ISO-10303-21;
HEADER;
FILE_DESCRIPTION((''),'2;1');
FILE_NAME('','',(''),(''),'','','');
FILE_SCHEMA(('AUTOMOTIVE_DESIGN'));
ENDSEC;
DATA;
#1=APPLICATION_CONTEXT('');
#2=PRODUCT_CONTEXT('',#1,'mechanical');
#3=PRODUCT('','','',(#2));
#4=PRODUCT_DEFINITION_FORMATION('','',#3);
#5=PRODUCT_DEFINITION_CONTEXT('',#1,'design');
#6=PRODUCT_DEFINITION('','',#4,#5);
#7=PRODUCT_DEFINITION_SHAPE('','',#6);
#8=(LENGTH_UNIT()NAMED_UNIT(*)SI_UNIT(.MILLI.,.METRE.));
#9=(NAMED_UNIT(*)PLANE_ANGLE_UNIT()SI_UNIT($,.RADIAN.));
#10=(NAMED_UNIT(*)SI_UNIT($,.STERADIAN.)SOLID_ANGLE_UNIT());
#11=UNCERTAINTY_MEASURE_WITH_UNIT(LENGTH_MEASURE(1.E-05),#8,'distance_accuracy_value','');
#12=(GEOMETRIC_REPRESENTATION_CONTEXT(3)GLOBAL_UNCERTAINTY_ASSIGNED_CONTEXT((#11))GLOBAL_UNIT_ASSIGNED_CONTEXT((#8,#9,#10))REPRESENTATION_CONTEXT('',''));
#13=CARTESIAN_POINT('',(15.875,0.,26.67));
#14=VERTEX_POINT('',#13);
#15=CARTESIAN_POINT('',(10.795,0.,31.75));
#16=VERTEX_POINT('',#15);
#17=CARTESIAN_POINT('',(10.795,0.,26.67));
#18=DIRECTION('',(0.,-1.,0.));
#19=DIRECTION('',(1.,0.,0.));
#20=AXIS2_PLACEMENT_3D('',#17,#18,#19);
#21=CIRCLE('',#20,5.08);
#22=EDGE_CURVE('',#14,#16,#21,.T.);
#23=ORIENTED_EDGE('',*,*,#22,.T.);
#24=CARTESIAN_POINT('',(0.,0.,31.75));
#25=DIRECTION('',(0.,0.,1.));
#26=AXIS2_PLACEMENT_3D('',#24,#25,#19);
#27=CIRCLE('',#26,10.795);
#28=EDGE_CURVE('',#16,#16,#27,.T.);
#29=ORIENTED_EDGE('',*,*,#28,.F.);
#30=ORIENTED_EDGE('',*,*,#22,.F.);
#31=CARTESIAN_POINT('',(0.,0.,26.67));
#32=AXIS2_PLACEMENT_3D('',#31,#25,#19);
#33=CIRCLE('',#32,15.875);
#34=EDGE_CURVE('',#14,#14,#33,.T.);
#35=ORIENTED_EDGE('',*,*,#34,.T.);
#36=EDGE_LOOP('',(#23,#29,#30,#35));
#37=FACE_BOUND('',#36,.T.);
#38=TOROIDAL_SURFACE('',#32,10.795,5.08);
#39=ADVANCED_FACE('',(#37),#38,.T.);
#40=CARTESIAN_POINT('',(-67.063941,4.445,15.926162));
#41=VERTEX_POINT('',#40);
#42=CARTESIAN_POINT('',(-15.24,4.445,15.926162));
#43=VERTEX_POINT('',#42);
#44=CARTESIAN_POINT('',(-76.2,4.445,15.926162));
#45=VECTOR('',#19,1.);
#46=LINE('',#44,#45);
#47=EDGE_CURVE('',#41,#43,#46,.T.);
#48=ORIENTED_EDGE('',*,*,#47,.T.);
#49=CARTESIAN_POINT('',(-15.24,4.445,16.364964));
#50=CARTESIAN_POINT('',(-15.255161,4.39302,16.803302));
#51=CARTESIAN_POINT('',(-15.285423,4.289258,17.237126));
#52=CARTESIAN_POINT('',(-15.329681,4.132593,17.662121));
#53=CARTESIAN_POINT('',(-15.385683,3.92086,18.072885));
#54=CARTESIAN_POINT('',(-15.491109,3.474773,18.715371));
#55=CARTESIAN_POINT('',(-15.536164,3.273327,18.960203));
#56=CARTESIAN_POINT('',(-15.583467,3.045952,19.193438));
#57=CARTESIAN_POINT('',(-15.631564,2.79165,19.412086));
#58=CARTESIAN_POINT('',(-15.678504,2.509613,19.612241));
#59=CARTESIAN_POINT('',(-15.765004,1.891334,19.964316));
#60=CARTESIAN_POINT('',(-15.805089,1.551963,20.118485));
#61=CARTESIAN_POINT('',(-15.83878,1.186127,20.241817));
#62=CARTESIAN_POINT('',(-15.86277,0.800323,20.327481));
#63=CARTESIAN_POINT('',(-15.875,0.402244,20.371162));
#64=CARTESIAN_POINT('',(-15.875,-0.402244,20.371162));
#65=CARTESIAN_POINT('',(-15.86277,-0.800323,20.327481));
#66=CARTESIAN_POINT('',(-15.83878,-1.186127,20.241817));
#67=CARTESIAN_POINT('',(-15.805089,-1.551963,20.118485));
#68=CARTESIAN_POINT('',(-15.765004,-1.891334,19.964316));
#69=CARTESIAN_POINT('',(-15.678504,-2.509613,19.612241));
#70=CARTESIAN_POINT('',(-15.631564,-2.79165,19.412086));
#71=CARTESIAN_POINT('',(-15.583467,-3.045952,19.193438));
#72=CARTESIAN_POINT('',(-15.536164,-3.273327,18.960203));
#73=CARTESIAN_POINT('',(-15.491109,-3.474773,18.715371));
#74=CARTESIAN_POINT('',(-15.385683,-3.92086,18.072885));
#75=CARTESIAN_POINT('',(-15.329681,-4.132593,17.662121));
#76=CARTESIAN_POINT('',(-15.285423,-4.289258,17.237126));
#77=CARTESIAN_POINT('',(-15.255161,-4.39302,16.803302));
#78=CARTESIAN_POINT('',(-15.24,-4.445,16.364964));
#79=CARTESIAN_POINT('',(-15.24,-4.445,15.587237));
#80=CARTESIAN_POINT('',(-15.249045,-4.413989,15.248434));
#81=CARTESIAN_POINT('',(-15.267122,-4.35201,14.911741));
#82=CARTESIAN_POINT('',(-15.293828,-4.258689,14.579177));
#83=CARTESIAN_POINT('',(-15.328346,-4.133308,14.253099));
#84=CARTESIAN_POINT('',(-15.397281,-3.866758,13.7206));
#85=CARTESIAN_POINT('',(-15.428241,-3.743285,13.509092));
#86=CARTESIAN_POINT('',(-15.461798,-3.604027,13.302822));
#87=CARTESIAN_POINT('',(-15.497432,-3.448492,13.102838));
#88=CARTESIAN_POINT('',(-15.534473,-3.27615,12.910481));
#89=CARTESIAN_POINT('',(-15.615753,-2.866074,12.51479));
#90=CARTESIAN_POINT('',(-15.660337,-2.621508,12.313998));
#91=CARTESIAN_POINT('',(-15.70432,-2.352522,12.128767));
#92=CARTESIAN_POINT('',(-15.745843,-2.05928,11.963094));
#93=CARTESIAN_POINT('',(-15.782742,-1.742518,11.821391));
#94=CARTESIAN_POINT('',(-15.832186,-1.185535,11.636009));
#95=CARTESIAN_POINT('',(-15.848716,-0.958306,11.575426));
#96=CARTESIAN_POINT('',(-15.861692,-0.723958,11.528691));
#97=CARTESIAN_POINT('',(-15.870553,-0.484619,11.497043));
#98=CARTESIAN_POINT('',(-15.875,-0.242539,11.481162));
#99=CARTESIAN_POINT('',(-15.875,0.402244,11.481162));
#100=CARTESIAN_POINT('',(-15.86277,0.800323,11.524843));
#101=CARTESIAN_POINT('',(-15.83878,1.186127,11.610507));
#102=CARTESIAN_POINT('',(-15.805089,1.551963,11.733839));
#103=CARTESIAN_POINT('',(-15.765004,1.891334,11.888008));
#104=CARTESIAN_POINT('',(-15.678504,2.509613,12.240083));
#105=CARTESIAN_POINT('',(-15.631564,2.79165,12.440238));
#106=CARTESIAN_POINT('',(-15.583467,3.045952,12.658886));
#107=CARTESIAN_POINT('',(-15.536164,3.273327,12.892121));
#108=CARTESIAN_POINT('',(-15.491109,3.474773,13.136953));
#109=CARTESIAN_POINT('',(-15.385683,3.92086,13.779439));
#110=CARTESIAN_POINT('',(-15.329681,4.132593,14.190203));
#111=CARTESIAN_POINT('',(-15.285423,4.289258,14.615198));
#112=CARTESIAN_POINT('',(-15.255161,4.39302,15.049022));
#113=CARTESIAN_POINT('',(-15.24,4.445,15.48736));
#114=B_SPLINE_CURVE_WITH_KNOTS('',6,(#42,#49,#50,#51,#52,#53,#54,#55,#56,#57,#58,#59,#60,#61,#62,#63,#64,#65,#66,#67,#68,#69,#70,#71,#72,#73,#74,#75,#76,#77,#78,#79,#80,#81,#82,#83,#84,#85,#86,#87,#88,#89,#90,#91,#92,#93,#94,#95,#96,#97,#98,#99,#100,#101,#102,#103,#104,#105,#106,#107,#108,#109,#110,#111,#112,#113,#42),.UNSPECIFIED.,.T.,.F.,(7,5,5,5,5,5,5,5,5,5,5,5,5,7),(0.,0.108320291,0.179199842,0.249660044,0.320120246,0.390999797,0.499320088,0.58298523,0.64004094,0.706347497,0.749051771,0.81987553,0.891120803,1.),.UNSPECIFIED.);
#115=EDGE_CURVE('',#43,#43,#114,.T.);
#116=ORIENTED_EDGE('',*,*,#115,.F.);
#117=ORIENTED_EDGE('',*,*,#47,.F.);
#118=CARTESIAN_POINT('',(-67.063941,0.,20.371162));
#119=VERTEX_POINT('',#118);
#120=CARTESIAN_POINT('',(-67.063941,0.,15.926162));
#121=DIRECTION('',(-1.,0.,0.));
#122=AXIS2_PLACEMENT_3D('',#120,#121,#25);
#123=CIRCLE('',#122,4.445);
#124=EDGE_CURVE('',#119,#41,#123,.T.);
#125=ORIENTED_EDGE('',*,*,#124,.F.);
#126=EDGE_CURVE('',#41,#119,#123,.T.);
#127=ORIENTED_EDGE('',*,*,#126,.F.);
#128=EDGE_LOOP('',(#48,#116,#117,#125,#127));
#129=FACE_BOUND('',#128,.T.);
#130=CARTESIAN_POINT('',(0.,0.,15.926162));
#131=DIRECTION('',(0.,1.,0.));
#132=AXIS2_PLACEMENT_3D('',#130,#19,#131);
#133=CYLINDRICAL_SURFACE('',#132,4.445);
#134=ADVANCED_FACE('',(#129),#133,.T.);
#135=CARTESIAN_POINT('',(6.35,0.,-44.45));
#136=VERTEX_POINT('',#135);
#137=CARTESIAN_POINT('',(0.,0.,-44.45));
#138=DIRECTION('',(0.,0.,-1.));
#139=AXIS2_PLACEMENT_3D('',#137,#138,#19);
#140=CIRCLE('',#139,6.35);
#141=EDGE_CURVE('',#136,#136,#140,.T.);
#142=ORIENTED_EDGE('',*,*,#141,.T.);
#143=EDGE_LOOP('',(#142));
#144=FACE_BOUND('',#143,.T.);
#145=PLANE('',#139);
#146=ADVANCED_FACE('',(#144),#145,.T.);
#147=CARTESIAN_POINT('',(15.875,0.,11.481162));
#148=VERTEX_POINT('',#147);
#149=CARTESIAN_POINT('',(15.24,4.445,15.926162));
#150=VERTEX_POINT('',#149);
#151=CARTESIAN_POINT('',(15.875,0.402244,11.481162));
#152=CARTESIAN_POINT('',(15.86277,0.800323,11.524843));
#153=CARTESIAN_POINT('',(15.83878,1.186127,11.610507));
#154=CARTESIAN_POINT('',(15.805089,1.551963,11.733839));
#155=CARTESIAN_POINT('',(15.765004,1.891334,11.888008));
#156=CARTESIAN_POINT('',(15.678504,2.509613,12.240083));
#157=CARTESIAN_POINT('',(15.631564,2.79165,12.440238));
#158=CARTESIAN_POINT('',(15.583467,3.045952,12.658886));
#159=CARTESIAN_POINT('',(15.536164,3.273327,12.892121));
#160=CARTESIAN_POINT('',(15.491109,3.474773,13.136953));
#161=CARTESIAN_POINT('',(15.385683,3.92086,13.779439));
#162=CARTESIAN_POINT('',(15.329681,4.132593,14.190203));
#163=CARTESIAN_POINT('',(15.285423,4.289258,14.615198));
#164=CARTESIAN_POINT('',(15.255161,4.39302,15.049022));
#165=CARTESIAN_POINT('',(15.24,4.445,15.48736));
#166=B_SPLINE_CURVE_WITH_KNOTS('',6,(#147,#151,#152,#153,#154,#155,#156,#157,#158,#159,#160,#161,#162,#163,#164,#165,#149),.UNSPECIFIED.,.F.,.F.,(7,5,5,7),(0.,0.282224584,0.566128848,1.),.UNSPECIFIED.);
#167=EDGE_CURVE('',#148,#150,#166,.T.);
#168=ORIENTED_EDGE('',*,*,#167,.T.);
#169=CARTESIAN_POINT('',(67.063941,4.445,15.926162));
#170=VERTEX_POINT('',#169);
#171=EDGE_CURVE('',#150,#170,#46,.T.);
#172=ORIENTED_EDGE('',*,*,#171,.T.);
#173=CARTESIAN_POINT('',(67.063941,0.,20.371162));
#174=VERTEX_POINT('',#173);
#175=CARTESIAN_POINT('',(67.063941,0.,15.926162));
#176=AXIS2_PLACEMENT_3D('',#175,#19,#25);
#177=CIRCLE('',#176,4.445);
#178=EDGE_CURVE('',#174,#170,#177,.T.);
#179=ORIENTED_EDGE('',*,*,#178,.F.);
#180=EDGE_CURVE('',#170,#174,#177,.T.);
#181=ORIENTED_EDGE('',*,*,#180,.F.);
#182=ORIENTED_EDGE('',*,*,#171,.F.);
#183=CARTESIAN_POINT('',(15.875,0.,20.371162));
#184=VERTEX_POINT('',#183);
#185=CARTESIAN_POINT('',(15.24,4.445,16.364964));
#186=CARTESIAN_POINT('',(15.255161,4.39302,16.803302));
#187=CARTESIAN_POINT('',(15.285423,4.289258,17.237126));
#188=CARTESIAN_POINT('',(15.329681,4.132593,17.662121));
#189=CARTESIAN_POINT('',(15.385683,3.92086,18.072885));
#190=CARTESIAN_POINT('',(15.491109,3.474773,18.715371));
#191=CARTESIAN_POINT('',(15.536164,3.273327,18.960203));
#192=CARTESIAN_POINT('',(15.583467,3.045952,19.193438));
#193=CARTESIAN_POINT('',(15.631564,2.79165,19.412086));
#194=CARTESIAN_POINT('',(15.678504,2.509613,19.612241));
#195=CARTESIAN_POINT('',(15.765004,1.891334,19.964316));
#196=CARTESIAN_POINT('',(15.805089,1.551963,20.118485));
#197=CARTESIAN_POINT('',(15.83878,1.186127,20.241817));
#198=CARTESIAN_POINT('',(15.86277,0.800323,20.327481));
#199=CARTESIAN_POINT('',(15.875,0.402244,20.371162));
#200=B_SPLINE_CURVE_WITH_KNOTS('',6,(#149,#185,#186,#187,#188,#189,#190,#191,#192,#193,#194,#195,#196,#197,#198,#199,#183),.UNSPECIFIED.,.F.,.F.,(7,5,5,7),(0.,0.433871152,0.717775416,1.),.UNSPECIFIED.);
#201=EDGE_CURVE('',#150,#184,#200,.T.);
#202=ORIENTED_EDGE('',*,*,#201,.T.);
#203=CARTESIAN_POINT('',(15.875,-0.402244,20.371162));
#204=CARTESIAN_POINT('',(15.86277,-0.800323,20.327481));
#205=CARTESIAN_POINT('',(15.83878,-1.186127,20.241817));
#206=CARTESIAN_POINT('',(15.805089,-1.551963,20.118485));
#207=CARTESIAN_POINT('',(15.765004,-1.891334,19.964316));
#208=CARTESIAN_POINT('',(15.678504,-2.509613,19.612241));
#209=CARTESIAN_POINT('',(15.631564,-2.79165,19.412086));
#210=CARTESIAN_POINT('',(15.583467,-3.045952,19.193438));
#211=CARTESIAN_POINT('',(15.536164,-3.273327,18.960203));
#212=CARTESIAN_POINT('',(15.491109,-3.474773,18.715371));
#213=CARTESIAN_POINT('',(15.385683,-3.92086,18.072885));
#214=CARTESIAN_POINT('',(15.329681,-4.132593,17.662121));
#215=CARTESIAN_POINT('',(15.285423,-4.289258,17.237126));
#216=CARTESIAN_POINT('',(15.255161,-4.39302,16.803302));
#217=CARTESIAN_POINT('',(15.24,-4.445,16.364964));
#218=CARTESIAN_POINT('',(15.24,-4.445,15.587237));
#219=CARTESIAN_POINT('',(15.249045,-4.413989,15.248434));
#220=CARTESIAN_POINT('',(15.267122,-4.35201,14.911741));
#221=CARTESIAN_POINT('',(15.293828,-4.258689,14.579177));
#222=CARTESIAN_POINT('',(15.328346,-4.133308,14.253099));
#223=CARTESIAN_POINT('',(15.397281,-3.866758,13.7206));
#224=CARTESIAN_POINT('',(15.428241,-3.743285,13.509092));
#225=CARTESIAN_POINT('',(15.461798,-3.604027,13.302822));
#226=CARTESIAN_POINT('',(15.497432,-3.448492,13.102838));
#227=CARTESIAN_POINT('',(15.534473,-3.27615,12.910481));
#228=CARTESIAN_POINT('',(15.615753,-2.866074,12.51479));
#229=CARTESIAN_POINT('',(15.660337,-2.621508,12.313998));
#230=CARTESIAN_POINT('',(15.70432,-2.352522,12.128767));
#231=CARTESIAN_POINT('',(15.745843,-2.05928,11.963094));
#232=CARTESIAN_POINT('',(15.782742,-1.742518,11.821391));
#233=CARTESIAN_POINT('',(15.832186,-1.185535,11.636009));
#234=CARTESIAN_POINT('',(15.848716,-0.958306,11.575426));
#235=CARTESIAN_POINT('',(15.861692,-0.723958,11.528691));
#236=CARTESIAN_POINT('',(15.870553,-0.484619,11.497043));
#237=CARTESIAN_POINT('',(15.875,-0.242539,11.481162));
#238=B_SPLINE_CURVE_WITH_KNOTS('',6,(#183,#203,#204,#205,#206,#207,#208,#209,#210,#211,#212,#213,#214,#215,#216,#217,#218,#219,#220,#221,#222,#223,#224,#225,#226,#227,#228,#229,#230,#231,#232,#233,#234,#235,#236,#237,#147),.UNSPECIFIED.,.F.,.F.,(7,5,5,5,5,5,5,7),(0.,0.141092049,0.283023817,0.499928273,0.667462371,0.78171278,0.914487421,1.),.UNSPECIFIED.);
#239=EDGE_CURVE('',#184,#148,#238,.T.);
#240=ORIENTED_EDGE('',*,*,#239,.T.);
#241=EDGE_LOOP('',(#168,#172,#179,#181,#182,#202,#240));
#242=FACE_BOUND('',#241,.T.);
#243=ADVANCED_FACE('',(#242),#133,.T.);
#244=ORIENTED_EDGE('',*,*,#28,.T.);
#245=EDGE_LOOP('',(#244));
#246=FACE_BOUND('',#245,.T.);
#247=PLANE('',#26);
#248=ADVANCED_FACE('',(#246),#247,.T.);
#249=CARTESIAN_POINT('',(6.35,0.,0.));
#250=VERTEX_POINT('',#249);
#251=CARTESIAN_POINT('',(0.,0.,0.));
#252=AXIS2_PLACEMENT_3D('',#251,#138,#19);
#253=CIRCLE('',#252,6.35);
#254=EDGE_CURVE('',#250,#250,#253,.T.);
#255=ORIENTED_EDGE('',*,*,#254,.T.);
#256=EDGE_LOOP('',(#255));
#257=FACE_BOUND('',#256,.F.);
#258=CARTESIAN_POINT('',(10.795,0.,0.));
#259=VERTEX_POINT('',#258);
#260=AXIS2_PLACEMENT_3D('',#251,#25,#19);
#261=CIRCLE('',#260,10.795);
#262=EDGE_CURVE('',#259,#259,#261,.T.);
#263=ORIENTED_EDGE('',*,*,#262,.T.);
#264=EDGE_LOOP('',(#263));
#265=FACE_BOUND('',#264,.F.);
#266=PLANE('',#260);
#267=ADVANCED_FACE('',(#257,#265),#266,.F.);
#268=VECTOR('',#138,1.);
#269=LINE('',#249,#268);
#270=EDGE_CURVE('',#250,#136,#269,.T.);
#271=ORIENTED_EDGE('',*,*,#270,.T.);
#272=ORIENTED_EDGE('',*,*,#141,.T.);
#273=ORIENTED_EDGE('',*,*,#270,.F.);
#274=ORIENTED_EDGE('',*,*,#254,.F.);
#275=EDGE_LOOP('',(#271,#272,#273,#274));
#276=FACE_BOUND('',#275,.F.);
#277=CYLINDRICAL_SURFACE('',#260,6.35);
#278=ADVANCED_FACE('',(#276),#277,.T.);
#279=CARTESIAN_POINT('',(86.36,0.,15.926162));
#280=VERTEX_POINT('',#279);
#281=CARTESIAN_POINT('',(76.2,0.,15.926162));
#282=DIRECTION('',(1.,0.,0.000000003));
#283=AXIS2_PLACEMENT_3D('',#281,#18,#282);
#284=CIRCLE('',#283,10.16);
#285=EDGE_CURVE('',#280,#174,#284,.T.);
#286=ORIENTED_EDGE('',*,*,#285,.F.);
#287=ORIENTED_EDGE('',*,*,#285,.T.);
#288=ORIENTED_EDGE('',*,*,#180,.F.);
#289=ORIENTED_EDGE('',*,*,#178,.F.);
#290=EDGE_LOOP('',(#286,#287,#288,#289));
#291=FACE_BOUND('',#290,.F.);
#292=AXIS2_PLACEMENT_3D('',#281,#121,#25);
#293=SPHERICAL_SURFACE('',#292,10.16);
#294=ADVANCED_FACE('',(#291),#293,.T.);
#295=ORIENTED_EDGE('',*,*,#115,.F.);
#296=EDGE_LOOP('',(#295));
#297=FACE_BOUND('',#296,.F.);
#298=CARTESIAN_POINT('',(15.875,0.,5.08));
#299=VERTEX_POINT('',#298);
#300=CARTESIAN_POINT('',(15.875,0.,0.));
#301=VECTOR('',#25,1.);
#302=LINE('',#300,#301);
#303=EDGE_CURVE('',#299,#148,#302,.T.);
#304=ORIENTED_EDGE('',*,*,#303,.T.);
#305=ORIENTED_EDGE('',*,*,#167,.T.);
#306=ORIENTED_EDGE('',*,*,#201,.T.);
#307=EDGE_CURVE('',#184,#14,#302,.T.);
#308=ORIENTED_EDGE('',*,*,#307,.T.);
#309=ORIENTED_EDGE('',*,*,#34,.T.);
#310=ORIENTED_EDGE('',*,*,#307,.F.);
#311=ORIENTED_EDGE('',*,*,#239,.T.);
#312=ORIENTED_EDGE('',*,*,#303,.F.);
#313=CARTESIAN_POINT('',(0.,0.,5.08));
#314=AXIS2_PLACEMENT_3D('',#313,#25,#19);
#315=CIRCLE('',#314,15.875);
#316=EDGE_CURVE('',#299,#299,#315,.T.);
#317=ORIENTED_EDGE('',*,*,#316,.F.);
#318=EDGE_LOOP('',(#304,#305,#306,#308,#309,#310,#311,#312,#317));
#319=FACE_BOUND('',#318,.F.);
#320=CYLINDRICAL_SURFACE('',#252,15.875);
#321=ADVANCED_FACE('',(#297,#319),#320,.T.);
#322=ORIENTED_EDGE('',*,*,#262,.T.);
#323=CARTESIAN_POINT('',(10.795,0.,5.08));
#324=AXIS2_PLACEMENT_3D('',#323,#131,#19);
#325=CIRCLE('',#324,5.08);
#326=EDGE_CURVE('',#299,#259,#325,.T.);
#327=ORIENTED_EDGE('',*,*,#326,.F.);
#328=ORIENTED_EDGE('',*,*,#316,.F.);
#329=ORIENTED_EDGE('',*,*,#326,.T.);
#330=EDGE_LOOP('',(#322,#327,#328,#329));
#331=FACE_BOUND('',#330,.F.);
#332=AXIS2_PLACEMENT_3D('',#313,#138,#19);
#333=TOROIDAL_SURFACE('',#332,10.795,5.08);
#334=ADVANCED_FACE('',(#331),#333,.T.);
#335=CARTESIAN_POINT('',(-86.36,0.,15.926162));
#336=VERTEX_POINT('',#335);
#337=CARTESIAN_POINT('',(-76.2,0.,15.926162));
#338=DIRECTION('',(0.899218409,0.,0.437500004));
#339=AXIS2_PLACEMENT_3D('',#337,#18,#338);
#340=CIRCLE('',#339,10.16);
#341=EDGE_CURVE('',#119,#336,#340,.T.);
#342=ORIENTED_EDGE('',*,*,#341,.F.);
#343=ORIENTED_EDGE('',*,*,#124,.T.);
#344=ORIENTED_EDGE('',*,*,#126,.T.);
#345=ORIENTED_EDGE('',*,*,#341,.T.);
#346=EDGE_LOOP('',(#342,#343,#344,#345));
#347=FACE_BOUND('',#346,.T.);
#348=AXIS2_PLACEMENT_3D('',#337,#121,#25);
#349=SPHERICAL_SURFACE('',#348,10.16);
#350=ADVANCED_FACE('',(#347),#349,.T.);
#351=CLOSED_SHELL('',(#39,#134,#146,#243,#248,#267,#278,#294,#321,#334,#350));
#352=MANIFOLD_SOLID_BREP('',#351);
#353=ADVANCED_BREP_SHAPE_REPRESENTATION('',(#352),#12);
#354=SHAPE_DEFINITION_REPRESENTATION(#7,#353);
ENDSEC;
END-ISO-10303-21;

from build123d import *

# Parameters (mm, degrees)
F0_R     = 15.875
F1_DEPTH = 31.75
F2_R     = 6.35
F3_DEPTH = 44.45
F4_R     = 4.445
F5_DEPTH = 76.2
F10_R    = 5.08


with BuildPart() as f1:
    # F0 (on Top) → F1 (new body)
    with BuildSketch(Plane.XY):
        Circle(F0_R)
    extrude(amount=F1_DEPTH)

    # F2 (on face) → F3 (join)
    with BuildSketch(Plane(origin=(0, 0, 0), x_dir=(1, 0, 0), z_dir=(0, 0, -1))):
        Circle(F2_R)
    extrude(amount=F3_DEPTH)

    # F4 (on Right) → F5 (join, symmetric)
    with BuildSketch(Plane.YZ):
        with Locations((0, 15.926162)):
            Circle(F4_R)
    extrude(amount=F5_DEPTH, both=True)

    # F6 (on Front) → F7 (revolve)
    with BuildSketch(Plane.XZ):
        with BuildLine():
            Line((-76.2, 15.926162), (-76.2, 20.371162))
            Line((-76.2, 20.371162), (-67.063941, 20.371162))
            ThreePointArc((-67.063941, 20.371162), (-78.480706, 25.826868), (-86.36, 15.926162))
            Line((-86.36, 15.926162), (-76.2, 15.926162))
        make_face()
    revolve(axis=Axis((-81.28, 0, 15.926162), (-1, 0, 0)))

    # F8 (on Front) → F9 (revolve)
    with BuildSketch(Plane.XZ):
        with BuildLine():
            ThreePointArc((86.36, 15.926162), (78.480706, 25.826868), (67.063941, 20.371162))
            Line((67.063941, 20.371162), (76.2, 20.371162))
            Line((76.2, 20.371162), (76.2, 15.926162))
            Line((76.2, 15.926162), (86.36, 15.926162))
        make_face()
    revolve(axis=Axis((81.28, 0, 15.926162), (1, 0, 0)))

    # F10
    f10_edges = [f1.edges().sort_by_distance(p)[0] for p in [
        (-15.875, 0, 31.75),
        (-15.875, 0, 0),
    ]]
    fillet(f10_edges, radius=F10_R)


solid = f1.part
